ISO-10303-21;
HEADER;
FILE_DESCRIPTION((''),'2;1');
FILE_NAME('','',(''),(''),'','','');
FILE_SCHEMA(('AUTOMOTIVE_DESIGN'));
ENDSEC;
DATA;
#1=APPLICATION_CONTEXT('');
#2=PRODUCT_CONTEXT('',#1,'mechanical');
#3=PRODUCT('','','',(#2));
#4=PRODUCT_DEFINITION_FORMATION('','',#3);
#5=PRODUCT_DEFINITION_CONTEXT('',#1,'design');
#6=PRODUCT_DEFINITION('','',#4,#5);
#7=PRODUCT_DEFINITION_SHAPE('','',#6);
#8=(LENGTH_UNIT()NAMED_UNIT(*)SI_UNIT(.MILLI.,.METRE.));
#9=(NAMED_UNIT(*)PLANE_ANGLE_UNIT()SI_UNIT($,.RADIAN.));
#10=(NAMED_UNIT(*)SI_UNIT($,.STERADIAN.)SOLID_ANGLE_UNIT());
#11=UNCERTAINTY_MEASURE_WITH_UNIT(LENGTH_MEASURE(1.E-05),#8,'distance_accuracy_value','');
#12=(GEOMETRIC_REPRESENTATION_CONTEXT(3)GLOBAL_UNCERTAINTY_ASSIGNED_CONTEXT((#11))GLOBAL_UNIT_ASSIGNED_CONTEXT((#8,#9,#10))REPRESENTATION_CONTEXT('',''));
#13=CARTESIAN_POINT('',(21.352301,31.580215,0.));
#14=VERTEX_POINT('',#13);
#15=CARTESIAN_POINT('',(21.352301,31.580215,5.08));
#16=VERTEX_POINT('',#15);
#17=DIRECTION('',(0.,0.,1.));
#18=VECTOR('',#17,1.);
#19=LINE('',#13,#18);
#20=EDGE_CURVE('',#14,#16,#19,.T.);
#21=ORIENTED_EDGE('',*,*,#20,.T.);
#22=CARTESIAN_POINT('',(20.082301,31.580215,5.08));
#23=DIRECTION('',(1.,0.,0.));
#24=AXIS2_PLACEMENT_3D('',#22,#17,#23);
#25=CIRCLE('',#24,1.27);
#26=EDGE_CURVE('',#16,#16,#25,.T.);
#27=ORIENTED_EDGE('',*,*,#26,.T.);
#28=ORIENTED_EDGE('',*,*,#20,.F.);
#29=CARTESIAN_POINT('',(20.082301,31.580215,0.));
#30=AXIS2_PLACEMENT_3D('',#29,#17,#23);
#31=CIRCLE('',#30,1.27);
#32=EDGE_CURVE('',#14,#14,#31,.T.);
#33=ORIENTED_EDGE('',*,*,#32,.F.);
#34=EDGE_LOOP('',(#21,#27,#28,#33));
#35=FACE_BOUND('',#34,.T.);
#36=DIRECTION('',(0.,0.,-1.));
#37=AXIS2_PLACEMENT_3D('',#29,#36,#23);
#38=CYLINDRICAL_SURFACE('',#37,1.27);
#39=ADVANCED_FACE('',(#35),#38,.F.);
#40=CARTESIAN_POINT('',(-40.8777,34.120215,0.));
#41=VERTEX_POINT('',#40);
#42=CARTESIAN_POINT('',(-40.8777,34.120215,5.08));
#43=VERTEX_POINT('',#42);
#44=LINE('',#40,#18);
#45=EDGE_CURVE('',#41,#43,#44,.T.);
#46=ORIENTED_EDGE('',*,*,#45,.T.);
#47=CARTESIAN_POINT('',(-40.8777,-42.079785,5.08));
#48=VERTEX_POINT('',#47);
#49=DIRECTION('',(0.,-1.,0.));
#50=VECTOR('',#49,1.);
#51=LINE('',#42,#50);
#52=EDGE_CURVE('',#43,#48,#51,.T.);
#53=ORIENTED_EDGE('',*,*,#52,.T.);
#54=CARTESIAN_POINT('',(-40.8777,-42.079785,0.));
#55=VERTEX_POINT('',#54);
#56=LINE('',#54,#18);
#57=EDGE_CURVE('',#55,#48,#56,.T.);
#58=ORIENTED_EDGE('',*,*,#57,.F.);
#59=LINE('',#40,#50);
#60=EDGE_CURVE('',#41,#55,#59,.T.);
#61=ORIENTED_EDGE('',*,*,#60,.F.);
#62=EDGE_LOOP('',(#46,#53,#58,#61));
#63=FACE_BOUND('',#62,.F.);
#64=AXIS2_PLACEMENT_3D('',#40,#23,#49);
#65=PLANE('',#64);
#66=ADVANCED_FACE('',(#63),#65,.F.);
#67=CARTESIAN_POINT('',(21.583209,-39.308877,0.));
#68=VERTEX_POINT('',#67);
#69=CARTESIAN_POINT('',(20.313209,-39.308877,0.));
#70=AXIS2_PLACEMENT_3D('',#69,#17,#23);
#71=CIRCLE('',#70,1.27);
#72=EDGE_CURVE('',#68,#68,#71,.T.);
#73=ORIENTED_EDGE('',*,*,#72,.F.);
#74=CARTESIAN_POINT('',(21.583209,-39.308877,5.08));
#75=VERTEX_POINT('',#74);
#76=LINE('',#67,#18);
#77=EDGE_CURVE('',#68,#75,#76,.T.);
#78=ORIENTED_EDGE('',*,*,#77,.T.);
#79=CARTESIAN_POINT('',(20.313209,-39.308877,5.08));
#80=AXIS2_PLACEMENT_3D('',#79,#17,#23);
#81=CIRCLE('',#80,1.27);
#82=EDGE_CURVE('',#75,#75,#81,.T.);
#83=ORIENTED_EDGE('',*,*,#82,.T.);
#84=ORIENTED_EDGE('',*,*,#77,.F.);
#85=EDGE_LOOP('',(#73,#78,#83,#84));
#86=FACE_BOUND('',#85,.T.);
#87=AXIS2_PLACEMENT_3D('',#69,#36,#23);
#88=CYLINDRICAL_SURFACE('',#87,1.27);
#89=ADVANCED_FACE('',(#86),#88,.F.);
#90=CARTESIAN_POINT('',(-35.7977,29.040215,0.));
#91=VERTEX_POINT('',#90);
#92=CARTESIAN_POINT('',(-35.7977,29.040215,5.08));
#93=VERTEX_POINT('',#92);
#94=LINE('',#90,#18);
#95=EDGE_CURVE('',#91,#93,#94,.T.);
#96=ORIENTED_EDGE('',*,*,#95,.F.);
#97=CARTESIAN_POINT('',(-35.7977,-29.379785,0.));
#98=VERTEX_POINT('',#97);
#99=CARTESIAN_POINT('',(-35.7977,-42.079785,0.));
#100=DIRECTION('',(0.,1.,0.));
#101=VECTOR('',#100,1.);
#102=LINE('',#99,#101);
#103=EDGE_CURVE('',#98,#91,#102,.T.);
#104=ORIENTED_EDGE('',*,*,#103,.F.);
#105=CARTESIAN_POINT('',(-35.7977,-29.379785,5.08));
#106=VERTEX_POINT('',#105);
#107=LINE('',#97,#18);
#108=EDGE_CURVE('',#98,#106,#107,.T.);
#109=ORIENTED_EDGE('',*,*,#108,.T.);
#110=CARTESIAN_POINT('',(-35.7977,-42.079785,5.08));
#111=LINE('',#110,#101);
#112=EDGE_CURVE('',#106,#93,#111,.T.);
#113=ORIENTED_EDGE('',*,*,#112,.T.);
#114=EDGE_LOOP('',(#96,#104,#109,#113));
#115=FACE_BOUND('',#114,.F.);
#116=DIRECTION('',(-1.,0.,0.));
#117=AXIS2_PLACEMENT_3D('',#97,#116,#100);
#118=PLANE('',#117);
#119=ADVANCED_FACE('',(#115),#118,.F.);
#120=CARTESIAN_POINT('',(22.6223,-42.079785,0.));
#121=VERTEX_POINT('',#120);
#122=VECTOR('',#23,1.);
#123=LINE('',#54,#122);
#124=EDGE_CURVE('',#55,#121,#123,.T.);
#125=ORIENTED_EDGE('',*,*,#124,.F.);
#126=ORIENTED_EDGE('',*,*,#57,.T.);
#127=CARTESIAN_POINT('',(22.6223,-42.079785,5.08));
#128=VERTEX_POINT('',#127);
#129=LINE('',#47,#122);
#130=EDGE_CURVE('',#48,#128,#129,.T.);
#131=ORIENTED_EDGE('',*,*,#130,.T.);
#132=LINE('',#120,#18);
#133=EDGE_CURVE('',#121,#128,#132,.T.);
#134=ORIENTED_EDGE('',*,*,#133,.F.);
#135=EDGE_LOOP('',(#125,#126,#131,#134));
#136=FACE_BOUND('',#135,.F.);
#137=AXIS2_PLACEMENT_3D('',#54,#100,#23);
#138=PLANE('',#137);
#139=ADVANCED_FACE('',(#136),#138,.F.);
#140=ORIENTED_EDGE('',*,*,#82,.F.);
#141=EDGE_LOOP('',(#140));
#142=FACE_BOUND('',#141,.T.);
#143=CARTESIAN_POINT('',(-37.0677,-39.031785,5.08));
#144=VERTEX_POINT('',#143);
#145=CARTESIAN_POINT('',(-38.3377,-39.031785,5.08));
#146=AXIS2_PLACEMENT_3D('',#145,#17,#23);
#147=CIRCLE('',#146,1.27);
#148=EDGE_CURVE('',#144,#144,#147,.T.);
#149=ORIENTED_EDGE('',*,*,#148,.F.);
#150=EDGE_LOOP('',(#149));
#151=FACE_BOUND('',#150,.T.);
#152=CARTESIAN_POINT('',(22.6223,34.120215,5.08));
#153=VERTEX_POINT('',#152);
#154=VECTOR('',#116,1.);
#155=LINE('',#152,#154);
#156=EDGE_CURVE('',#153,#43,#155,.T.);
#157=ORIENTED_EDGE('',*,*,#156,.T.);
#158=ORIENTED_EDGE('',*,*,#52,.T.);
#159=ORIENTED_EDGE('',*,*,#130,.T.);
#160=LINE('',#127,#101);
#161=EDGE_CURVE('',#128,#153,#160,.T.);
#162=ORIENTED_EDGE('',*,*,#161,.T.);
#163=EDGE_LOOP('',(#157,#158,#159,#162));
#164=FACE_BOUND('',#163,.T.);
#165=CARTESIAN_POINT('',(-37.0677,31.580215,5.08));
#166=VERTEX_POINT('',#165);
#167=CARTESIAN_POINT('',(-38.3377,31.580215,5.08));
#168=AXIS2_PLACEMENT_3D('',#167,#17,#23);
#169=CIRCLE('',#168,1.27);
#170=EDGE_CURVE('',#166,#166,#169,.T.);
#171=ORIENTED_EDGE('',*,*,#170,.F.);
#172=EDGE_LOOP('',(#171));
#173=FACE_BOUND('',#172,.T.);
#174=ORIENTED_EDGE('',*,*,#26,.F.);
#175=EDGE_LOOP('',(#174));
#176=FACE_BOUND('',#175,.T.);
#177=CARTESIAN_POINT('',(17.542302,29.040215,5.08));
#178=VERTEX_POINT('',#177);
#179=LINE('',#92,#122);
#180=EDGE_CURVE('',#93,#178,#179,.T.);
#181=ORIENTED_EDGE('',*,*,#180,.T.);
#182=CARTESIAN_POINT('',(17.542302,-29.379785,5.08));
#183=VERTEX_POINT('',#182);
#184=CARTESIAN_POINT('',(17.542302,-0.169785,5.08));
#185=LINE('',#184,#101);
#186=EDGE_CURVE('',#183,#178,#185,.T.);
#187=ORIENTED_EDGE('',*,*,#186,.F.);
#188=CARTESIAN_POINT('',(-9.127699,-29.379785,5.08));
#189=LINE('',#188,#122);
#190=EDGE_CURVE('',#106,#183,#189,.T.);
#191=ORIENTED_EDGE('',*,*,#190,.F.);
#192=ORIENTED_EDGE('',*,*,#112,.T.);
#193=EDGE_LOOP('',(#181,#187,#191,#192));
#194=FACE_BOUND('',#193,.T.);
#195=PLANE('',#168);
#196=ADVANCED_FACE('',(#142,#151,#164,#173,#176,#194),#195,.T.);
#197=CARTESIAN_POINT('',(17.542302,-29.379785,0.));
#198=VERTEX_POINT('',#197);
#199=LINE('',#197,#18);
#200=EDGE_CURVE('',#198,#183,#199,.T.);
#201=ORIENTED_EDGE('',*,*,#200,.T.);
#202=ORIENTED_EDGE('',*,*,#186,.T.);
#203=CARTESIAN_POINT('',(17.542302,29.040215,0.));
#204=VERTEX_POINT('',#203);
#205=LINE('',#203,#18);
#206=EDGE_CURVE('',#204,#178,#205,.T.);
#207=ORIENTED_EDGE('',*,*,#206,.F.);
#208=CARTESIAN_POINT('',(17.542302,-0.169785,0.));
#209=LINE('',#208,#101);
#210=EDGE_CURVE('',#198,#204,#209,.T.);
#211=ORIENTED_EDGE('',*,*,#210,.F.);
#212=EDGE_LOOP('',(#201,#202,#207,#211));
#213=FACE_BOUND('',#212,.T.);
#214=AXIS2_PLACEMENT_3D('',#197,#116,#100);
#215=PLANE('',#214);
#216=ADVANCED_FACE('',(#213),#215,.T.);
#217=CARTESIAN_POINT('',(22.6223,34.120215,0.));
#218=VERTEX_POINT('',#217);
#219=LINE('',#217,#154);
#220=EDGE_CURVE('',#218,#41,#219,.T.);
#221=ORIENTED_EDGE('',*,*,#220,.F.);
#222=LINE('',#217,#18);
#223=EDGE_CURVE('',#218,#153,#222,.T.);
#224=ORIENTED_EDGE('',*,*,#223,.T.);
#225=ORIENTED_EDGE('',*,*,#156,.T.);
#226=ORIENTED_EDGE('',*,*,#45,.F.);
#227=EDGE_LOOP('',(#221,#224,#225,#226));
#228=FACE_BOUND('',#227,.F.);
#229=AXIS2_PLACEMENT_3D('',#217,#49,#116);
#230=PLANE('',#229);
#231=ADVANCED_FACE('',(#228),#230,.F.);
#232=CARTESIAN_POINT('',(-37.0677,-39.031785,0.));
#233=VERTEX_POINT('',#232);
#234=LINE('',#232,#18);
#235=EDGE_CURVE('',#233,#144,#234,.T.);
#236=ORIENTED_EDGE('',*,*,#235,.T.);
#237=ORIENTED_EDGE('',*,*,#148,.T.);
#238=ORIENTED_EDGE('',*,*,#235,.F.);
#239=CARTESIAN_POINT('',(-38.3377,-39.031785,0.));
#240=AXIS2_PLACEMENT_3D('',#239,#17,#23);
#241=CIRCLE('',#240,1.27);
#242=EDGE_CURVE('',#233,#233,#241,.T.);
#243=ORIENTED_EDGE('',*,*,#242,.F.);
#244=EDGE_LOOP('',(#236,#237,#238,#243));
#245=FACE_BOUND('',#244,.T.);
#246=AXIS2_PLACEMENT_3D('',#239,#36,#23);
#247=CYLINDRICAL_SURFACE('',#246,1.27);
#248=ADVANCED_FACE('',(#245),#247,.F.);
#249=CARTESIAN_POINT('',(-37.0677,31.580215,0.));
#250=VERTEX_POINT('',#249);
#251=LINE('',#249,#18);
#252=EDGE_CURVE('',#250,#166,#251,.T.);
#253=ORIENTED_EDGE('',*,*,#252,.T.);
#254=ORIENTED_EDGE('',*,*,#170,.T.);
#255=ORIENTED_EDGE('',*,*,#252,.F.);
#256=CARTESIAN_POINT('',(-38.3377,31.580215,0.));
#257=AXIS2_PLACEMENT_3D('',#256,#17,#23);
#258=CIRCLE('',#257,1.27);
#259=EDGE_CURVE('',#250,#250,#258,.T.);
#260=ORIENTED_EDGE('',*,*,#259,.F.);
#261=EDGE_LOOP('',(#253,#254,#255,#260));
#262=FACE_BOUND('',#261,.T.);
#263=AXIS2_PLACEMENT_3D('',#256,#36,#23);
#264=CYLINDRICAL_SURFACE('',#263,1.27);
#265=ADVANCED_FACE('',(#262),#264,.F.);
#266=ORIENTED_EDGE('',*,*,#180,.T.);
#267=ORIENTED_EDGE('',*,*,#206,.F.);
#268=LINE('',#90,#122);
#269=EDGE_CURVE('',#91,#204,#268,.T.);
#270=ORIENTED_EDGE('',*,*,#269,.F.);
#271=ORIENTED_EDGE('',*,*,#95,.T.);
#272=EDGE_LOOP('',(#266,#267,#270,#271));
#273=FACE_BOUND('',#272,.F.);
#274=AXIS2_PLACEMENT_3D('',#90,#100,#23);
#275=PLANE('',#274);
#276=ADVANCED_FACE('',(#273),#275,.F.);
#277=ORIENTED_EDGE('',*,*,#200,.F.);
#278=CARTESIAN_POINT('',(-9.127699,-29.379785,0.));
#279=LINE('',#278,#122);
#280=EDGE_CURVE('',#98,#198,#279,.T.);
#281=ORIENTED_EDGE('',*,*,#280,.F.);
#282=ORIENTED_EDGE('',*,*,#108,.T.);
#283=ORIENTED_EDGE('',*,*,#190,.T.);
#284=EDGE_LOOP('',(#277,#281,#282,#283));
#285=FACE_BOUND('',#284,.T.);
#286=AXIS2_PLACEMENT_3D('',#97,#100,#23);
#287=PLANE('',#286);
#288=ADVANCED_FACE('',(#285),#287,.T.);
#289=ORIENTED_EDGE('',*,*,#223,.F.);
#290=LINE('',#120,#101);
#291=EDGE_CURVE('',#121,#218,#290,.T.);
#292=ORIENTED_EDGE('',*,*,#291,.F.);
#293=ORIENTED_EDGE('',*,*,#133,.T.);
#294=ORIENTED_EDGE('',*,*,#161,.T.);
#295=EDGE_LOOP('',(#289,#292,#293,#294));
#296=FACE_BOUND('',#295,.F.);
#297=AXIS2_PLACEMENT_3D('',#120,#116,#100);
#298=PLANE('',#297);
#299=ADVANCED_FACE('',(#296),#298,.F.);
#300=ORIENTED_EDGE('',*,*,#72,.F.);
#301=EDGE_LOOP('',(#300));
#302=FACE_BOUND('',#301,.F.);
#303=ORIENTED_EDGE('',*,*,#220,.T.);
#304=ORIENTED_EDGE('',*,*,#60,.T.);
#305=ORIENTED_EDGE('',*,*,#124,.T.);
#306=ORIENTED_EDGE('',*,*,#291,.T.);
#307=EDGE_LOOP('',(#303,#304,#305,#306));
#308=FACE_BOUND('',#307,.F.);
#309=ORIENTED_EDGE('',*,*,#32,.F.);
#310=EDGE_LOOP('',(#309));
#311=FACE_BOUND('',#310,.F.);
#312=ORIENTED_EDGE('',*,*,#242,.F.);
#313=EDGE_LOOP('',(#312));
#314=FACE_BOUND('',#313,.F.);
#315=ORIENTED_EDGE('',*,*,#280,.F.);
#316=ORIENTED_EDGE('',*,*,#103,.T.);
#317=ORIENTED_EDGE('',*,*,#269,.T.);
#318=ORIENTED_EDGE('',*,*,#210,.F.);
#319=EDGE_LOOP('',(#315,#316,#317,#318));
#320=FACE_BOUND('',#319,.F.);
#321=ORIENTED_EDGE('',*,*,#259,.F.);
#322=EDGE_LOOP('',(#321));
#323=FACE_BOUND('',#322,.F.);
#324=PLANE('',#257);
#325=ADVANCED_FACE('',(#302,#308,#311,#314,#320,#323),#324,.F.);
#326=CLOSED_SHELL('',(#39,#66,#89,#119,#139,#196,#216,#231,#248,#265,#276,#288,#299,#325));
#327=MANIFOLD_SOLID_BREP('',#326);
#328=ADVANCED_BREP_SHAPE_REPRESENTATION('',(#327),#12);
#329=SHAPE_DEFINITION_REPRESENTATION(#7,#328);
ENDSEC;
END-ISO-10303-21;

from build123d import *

# Parameters (mm, degrees)
F0_W     = 5.08
F0_H     = 5.08
F0_R     = 1.27
F0_W_2   = 53.340002
F0_H_2   = 58.42
F0_W_3   = 5.079998
F0_H_3   = 12.7
F1_DEPTH = 5.08


with BuildPart() as f1:
    # F0 (on Top) → F1 (new body)
    with BuildSketch(Plane.XY):
        with Locations((-38.3377, 31.580215)):
            Rectangle(F0_W, F0_H)
        with Locations((-38.3377, 31.580215)):
            Circle(F0_R, mode=Mode.SUBTRACT)
        with Locations((-9.127699, 31.580215)):
            Rectangle(F0_W_2, F0_H)
        with Locations((-38.3377, -0.169785)):
            Rectangle(F0_W, F0_H_2)
        with Locations((20.082301, 31.580215)):
            Rectangle(F0_W_3, F0_H)
        with Locations((20.082301, 31.580215)):
            Circle(F0_R, mode=Mode.SUBTRACT)
        with Locations((-38.3377, -35.729785)):
            Rectangle(F0_W, F0_H_3)
        with Locations((-38.3377, -39.031785)):
            Circle(F0_R, mode=Mode.SUBTRACT)
        with Locations((20.082301, -0.169785)):
            Rectangle(F0_W_3, F0_H_2)
        with Locations((-9.127699, -35.729785)):
            Rectangle(F0_W_2, F0_H_3)
        with Locations((20.082301, -35.729785)):
            Rectangle(F0_W_3, F0_H_3)
        with Locations((20.313209, -39.308877)):
            Circle(F0_R, mode=Mode.SUBTRACT)
    extrude(amount=F1_DEPTH)


solid = f1.part
